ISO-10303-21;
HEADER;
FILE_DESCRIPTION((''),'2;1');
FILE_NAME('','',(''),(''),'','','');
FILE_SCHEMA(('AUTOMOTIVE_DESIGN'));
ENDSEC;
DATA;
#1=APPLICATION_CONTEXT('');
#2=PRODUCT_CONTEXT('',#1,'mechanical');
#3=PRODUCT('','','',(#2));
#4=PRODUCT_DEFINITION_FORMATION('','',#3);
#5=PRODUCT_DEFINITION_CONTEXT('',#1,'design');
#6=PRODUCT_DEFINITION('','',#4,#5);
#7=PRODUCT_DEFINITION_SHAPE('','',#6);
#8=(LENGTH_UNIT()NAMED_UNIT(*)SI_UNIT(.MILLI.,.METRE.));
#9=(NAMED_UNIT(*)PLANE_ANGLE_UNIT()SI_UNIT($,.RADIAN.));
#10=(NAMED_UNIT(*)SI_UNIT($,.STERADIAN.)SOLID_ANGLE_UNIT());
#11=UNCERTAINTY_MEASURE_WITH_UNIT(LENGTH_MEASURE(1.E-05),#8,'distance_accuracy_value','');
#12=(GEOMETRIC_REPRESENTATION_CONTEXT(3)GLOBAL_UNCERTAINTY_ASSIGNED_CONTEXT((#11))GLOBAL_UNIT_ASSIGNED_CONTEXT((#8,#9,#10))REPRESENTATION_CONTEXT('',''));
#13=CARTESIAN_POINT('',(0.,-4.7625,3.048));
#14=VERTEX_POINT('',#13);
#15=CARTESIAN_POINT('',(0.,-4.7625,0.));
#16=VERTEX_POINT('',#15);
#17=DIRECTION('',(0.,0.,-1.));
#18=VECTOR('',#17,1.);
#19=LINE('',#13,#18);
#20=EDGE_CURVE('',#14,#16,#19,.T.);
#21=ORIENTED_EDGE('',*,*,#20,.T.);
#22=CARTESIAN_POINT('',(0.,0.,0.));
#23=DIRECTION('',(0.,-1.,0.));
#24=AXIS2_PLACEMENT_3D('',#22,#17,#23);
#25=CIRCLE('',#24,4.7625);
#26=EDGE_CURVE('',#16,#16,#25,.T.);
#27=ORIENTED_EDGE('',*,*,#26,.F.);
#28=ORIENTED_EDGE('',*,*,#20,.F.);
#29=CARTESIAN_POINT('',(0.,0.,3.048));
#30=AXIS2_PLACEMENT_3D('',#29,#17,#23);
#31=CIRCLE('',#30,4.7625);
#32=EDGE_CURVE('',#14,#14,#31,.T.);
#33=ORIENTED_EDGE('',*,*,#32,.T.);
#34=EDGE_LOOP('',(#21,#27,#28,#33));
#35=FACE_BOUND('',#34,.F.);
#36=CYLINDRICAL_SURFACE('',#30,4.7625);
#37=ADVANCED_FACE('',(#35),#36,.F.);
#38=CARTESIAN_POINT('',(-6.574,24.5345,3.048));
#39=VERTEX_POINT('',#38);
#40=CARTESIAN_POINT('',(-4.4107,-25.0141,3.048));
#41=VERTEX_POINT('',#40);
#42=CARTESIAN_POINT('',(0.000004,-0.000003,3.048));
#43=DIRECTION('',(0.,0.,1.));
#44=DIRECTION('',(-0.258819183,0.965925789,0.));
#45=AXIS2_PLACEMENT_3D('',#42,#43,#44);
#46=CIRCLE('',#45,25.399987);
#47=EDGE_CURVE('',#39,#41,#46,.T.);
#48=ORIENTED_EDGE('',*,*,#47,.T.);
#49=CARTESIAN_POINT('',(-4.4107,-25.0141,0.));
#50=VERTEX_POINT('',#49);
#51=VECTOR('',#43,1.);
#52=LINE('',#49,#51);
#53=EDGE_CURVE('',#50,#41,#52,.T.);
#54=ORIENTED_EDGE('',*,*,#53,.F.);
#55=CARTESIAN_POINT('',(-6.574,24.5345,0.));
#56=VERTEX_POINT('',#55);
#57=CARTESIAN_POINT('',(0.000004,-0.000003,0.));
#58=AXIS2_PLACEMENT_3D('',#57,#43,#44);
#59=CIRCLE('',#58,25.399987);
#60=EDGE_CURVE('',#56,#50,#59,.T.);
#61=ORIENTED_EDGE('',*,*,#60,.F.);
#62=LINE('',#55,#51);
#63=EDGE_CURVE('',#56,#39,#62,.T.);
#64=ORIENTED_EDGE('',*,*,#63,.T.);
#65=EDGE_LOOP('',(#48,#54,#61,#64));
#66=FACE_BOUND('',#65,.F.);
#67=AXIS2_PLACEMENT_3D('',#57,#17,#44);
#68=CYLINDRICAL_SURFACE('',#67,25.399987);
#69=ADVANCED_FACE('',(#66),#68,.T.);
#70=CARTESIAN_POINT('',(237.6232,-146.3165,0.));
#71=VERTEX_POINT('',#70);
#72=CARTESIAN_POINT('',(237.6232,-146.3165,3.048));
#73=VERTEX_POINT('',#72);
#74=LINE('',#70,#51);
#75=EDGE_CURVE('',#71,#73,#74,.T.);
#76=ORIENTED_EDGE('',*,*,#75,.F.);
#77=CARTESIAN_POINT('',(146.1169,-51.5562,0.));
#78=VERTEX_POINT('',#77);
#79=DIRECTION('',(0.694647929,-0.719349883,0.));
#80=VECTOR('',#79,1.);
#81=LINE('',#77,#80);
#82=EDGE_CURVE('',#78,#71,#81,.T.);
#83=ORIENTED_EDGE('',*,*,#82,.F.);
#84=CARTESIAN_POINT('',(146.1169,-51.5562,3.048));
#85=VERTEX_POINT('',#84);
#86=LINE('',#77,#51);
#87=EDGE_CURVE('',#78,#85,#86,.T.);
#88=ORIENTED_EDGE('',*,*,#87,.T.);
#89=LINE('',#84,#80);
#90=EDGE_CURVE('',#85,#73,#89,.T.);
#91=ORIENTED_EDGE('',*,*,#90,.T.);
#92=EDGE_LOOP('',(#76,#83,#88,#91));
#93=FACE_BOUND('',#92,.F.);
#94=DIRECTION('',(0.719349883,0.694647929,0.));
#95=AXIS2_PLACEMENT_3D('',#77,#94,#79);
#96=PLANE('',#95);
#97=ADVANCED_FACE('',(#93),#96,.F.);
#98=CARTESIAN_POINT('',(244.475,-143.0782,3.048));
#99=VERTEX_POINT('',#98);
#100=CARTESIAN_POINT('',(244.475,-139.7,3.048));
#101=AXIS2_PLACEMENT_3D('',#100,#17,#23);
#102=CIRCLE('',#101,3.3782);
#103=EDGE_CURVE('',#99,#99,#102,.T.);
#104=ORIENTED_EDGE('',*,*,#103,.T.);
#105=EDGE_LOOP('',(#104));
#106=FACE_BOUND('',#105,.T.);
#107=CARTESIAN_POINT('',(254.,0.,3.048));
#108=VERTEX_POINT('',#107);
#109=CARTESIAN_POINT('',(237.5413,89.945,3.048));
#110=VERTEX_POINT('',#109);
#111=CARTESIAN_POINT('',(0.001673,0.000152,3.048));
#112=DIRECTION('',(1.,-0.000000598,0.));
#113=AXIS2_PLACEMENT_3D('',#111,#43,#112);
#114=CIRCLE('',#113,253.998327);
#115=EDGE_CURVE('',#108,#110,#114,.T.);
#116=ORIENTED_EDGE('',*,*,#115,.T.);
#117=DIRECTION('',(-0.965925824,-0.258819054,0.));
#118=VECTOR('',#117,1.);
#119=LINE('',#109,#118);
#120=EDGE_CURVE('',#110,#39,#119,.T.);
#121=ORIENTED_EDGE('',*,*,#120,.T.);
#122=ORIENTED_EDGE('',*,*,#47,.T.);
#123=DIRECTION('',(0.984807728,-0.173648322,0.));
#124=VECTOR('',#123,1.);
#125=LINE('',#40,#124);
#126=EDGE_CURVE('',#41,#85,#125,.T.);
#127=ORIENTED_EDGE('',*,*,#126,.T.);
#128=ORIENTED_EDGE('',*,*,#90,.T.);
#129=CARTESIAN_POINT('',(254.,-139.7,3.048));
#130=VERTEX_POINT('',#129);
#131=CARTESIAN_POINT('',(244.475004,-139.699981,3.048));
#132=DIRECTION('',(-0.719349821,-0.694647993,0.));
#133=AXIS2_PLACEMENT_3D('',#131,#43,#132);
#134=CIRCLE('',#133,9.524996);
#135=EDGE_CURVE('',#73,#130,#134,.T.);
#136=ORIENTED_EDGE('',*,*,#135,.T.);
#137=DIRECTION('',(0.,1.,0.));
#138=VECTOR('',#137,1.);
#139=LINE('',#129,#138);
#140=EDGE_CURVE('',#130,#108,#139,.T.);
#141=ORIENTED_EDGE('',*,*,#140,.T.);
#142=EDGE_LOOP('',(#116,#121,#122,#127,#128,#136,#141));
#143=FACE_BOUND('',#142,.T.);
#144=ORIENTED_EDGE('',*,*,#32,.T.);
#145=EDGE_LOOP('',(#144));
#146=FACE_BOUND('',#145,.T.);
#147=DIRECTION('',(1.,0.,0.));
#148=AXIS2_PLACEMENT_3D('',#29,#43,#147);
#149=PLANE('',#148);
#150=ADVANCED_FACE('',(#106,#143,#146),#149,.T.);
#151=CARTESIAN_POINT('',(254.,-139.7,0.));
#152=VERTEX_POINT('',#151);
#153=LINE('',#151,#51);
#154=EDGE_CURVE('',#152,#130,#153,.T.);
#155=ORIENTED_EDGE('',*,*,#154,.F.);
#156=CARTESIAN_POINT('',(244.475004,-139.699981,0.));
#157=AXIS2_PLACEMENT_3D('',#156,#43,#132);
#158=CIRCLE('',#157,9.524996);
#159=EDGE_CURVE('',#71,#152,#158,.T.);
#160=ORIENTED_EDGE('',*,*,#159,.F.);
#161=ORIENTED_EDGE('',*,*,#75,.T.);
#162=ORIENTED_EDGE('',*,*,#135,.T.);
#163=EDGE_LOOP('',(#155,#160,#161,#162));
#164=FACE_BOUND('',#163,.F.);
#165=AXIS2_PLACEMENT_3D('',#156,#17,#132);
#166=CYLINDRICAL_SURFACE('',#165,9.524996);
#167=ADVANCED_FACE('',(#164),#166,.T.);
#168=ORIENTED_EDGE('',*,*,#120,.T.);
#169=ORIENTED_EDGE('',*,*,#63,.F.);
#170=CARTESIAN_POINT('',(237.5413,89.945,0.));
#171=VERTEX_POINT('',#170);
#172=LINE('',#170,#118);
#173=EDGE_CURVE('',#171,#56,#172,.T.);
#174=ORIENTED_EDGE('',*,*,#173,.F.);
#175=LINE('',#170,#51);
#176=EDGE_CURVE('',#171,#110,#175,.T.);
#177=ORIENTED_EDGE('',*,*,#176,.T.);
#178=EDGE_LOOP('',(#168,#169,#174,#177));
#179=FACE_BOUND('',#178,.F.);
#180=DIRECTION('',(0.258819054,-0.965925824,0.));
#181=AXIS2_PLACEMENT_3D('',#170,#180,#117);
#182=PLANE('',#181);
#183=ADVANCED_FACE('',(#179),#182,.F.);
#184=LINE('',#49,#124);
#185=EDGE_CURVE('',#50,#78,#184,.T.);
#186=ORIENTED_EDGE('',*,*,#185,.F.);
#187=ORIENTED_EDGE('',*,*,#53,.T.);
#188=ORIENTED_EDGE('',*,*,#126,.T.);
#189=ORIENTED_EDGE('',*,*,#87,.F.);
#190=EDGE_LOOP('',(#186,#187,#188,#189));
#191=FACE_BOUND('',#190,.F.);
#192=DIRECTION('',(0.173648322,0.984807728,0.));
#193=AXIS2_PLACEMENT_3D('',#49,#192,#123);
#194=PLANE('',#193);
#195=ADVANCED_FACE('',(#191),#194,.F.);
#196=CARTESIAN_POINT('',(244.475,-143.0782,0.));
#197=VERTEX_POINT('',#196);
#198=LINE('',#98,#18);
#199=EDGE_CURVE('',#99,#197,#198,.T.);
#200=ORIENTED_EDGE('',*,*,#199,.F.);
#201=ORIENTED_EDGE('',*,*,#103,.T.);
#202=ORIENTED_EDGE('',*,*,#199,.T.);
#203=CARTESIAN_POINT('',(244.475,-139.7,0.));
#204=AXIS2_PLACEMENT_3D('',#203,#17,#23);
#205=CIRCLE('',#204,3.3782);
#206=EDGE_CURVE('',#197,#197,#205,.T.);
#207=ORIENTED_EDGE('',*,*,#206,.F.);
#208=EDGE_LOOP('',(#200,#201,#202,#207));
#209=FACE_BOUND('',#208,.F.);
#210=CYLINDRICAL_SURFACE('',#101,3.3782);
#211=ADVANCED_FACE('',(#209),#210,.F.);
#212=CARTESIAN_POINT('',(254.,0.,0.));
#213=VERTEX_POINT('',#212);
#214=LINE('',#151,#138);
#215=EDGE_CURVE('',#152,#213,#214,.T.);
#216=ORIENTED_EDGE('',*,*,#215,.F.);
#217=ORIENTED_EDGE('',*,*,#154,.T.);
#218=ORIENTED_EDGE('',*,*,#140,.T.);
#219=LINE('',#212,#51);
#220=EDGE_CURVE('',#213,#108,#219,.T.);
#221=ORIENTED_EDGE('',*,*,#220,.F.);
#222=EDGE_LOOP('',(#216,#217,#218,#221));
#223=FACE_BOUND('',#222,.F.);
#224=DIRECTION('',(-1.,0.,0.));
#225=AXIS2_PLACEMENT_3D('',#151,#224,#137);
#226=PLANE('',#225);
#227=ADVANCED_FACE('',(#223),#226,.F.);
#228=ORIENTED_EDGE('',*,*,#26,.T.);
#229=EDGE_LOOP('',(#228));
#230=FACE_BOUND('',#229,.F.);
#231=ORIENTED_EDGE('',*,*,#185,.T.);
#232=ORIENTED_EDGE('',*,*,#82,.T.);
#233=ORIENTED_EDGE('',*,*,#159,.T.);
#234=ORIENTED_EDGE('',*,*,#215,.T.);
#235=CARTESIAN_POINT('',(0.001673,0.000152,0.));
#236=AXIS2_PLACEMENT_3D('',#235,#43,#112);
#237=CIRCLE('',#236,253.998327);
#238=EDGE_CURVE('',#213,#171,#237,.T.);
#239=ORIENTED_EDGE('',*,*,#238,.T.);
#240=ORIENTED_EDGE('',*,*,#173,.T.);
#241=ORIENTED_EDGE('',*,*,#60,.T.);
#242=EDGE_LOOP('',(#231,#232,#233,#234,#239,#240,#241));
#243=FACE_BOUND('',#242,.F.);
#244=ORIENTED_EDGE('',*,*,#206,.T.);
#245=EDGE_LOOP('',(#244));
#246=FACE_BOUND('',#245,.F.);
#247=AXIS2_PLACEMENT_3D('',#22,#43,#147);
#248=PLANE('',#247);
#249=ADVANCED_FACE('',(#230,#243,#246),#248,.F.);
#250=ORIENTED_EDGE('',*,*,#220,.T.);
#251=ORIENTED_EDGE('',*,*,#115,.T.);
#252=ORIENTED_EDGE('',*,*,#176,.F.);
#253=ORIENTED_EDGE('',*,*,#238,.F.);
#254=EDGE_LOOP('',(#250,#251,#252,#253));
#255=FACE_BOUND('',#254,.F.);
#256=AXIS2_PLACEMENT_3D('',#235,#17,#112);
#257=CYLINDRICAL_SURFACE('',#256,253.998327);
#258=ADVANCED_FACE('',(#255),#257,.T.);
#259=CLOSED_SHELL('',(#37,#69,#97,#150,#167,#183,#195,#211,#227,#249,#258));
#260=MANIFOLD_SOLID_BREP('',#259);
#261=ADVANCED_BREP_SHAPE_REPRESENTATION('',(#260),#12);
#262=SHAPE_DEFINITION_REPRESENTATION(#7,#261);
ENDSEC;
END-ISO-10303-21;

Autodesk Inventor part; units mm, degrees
ref_plane "YZ Plane" through (0, 0, 0) normal (1, 0, 0) x (0, 1, 0)
ref_plane "XZ Plane" through (0, 0, 0) normal (0, 1, 0) x (-1, 0, 0)
ref_plane "XY Plane" through (0, 0, 0) normal (0, 0, 1) x (1, 0, 0)
sketch "Sketch1" plane through (0, 0, 0) normal (0, 0, 1) x (1, 0, 0)
  arc A0 (-6.574, 24.5345) -> (-4.4107, -25.0141) centre (0, 0) ccw
  line L0 (-4.4107, -25.0141) -> (146.1169, -51.5562)
  line L1 (146.1169, -51.5562) -> (237.6232, -146.3165)
  arc A1 (237.6232, -146.3165) -> (254, -139.7) centre (244.475, -139.7) ccw
  line L2 (-83.3652, 0) -> (314.9884, 0) construction
  line L3 (254, -139.7) -> (254, 0)
  arc A2 (254, 0) -> (237.5413, 89.945) centre (0, 0) ccw
  line L4 (237.5413, 89.945) -> (-6.574, 24.5345)
  dimension "d1" = 9.525
  dimension "d2" = 25.4
  dimension "d3" = 10
  dimension "d4" = 46.001
  dimension "d6" = 254
  dimension "d7" = 139.7
  dimension "d8" = 15
extrude "Plate1" add sketch "Sketch1" along normal blind 3.048
sketch "Sketch2" plane through (0, 0, 3.048) normal (0, 0, 1) x (1, 0, 0)
  point P0 (0, 0)
  point P1 (0, 0)
hole "Hole1" at (0, 0, 3.048) direction (0, 0, -1) diameter 9.525 end through all
sketch "Sketch3" plane through (0, 0, 3.048) normal (0, 0, 1) x (1, 0, 0)
  arc A0 (237.6232, -146.3165) -> (254, -139.7) centre (244.475, -139.7) ccw construction
  point P0 (0, 0)
hole "Hole2" at (244.475, -139.7, 3.048) direction (0, 0, -1) diameter 6.7564 end through all clearance for "Flat Head Machine Screw (82)" size "1/4" standard "Ansi Unified Screw Threads"
equation "\"d14\" = Thickness"
equation "\"d0\" = Thickness"
equation "\"BendRadius\" = Thickness"
equation "\"BendReliefWidth\" = Thickness"
equation "\"BendReliefDepth\" = 0.5 * Thickness"
equation "\"CornerReliefSize\" = 4 * Thickness"
equation "\"MinimumRemnant\" = 2 * Thickness"
equation "\"TransitionRadius\" = BendRadius"
equation "\"JacobiRadiusSize\" = BendRadius"
equation "\"GapSize\" = Thickness"
equation "\"Thickness\" = 3.048"
properties part number "PLATE,ARM,DROPBAR" material "Polycarbonate, Clear"
